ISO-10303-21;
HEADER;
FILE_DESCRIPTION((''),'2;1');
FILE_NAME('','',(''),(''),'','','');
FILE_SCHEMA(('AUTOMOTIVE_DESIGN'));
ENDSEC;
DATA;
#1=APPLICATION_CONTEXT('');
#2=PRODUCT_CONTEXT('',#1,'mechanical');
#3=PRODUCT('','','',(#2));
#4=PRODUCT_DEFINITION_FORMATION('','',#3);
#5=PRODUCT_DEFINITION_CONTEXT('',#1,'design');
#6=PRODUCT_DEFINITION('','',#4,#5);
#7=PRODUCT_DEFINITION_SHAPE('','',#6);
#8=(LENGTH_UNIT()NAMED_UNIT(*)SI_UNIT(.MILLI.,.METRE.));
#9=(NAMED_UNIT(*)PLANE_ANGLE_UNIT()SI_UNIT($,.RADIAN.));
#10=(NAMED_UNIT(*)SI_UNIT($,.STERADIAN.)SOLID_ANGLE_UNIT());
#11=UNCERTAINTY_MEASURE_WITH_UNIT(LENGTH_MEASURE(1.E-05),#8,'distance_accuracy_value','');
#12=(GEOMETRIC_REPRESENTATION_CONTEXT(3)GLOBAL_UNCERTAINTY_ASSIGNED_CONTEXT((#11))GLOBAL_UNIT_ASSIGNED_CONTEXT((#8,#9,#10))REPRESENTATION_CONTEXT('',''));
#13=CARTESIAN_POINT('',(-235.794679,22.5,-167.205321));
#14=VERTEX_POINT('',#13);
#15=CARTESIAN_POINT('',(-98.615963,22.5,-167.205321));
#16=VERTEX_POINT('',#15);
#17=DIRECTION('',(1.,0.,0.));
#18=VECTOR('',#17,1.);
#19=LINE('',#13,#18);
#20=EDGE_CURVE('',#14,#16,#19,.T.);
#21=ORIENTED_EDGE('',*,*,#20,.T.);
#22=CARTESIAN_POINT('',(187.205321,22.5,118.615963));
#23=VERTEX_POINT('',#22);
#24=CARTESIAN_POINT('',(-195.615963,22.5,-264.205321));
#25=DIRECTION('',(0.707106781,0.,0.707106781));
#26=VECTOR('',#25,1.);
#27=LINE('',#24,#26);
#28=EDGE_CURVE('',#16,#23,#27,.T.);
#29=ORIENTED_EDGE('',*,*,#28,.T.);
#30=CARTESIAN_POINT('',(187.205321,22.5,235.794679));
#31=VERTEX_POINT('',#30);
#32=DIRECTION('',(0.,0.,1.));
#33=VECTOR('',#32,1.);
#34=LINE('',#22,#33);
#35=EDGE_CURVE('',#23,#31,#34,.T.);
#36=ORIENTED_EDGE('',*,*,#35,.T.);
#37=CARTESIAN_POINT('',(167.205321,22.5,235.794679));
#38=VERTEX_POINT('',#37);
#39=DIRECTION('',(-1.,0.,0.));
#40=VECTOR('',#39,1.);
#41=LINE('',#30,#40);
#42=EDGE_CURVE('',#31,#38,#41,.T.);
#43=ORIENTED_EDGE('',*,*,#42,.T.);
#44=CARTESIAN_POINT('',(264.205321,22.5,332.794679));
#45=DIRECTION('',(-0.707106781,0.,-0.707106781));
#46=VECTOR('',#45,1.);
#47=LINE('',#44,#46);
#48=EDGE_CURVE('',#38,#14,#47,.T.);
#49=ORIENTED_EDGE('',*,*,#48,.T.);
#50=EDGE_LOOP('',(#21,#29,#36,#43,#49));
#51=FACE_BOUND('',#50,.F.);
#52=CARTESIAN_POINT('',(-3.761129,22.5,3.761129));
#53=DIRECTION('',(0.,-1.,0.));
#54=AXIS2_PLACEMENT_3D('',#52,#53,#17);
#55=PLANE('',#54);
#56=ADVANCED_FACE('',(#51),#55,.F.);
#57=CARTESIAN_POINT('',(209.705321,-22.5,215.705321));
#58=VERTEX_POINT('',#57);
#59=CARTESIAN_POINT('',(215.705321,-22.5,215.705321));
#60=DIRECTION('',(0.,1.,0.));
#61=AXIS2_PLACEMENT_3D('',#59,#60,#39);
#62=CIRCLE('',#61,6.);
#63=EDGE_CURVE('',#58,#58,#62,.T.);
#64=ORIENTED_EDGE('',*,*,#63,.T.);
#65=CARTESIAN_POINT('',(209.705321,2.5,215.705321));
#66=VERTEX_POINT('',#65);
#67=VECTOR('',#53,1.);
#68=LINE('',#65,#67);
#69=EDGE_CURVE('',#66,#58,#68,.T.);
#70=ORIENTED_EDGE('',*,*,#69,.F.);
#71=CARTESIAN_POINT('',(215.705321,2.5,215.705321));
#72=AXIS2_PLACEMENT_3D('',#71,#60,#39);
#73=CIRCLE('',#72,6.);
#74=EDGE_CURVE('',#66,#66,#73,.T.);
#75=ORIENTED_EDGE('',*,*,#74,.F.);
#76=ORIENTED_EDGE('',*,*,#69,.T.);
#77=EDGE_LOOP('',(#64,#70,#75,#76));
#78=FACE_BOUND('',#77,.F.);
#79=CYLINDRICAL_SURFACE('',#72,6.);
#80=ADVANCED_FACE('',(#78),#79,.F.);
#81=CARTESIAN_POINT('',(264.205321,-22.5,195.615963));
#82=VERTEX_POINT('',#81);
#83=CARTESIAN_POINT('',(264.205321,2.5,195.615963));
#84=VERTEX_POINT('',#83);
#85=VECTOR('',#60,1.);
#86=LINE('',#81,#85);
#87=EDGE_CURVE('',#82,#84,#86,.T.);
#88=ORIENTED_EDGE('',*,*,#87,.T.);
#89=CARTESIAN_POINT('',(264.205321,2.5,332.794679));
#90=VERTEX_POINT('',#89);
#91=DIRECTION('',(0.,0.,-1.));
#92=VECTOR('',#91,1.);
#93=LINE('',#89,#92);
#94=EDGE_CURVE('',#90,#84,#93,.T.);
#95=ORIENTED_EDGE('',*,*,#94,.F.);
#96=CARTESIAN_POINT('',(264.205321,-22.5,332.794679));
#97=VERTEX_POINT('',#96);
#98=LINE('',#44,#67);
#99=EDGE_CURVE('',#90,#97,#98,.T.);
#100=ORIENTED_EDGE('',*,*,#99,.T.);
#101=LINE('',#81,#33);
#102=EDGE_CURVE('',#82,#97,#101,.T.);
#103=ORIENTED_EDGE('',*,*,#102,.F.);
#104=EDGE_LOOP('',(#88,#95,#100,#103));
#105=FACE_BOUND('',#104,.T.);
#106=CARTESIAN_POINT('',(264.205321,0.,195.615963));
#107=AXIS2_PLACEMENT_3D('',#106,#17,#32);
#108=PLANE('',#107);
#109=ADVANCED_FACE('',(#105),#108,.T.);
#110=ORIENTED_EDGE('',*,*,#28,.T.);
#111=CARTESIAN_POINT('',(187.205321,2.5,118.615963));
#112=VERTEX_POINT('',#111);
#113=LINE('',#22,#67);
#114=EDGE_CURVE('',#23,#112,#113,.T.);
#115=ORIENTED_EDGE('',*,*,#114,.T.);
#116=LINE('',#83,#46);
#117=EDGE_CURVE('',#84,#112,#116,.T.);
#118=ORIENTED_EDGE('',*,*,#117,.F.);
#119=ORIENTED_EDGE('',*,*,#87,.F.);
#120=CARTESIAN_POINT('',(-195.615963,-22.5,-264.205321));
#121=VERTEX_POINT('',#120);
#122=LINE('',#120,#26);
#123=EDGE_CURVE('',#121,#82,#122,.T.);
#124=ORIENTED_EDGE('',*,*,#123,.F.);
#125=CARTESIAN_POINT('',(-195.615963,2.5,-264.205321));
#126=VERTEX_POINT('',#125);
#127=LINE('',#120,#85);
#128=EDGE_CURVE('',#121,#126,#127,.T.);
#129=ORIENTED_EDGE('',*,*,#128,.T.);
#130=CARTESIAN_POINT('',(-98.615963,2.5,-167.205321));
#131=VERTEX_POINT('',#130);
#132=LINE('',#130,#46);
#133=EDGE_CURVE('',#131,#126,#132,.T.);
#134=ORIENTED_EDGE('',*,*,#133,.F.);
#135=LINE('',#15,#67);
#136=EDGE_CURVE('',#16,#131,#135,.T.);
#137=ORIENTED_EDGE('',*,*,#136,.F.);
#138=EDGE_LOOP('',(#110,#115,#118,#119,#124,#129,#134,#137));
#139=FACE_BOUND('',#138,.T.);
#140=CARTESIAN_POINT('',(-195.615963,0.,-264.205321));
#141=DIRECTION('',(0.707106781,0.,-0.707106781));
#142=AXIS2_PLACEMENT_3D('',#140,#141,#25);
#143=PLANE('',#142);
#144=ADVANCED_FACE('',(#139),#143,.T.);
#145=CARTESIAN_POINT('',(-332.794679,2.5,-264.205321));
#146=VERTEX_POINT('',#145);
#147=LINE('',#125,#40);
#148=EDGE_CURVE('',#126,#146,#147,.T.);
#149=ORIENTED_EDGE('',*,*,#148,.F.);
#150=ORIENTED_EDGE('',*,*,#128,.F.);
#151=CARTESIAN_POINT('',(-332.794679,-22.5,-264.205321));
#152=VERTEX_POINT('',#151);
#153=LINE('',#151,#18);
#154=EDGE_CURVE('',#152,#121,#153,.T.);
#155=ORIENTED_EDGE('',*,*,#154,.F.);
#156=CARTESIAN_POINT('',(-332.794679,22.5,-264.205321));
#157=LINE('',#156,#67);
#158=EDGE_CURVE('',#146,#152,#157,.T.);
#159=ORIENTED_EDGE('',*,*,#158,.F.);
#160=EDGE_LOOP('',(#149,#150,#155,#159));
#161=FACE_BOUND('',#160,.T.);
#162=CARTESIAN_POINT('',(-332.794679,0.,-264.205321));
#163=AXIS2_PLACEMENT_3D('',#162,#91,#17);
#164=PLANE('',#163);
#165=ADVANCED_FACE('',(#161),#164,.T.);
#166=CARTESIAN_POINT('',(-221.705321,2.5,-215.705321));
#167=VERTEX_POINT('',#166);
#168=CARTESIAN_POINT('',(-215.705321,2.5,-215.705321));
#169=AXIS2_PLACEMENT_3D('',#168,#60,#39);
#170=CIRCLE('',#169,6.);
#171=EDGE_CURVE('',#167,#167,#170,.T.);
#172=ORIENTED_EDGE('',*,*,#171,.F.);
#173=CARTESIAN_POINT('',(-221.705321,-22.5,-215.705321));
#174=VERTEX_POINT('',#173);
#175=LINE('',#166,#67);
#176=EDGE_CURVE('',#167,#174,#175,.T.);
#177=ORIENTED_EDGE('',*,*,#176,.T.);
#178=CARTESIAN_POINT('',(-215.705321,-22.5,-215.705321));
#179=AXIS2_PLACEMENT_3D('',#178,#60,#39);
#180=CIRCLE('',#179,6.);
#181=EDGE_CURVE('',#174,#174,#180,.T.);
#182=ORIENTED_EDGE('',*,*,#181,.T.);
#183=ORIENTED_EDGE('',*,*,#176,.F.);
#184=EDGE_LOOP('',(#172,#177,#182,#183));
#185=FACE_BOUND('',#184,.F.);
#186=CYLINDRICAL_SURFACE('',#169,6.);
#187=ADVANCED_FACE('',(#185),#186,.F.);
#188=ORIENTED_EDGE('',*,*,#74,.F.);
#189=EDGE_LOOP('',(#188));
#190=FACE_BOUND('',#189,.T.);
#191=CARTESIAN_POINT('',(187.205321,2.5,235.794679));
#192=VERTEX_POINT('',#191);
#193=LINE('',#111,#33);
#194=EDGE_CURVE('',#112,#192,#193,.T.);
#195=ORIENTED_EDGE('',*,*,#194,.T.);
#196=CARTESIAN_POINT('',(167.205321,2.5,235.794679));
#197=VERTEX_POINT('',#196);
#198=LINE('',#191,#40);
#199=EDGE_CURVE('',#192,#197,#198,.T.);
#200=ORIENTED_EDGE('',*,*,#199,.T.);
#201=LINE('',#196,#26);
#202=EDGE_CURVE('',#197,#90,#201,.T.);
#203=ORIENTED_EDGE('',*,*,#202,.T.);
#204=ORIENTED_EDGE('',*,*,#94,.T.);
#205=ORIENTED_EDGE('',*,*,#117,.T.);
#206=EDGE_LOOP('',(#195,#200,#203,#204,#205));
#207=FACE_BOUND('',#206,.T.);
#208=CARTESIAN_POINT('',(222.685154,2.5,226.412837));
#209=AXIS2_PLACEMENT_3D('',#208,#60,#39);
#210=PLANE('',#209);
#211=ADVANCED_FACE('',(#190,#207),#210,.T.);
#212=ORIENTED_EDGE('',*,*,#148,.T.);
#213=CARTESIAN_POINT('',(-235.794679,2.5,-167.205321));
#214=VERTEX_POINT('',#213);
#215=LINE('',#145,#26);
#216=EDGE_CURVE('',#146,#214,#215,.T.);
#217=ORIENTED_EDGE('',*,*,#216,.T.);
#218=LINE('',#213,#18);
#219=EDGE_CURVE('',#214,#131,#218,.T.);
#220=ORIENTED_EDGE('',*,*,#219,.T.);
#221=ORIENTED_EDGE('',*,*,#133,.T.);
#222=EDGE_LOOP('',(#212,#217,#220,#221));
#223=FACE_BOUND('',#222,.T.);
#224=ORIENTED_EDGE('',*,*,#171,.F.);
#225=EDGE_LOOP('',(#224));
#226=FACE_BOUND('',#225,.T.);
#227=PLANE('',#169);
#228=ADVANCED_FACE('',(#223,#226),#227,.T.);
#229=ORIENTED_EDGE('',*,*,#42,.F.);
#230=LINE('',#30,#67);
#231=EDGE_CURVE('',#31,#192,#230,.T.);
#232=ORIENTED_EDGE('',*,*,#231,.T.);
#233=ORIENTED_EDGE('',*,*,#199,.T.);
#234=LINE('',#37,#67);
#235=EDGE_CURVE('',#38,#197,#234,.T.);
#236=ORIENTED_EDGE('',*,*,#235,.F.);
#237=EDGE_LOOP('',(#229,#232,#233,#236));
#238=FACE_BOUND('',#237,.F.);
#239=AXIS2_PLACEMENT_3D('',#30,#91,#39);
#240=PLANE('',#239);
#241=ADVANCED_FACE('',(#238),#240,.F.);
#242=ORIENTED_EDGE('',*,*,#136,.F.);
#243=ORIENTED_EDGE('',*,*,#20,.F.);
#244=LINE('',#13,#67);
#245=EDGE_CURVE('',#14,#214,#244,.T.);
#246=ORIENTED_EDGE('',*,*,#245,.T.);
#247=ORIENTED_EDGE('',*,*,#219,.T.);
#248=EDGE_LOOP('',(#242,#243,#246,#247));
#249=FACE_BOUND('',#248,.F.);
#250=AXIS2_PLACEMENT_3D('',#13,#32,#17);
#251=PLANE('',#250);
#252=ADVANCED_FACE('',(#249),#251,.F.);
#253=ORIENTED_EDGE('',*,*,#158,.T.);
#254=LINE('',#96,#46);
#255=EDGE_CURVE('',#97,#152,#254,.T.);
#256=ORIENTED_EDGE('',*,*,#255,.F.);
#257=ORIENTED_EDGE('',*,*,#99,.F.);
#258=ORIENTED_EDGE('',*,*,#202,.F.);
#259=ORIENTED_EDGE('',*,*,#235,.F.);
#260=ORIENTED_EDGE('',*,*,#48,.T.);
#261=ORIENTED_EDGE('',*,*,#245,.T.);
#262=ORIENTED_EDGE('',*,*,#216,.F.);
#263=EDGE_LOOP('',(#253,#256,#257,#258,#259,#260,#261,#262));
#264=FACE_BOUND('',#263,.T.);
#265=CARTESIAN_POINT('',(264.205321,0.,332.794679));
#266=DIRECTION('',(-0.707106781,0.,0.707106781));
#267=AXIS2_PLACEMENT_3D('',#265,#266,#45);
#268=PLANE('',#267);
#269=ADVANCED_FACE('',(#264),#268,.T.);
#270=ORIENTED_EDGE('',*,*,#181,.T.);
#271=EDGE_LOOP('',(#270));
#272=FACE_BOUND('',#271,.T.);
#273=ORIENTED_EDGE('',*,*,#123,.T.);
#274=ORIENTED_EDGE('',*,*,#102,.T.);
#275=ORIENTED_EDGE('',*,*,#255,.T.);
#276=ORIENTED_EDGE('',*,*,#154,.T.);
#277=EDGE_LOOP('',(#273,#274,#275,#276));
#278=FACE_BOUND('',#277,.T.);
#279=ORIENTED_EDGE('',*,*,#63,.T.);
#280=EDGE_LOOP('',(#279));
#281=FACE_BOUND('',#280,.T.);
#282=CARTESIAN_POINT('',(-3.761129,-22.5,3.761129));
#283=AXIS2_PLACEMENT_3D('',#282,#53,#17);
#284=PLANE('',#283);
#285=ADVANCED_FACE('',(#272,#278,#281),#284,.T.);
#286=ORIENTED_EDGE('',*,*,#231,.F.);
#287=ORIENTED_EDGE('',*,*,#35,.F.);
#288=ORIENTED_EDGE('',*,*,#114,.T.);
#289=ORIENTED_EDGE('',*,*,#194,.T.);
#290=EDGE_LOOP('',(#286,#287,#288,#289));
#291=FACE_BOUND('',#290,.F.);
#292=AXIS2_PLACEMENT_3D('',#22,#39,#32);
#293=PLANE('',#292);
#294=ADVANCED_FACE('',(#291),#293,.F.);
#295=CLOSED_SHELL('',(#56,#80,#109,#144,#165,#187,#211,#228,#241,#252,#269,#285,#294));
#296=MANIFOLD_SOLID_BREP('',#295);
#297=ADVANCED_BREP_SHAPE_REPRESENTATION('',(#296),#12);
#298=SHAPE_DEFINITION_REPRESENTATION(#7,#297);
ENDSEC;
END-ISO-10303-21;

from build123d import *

# Parameters (mm, degrees)
F1_DEPTH = 22.5
F3_DEPTH = 20
F5_DEPTH = 20
F6_R     = 6
F7_DEPTH = 25
F8_R     = 6
F9_DEPTH = 25


with BuildPart() as f1:
    # F0 (on Front) → F1 (new body, symmetric)
    with BuildSketch(Plane.XZ):
        Polygon((264.205321, 195.615963), (264.205321, 332.794679), (-332.794679, -264.205321), (-195.615963, -264.205321), align=None)
    extrude(amount=F1_DEPTH, both=True)

    # F2 (on face) → F3 (cut)
    with BuildSketch(Plane(origin=(0, 22.5, 0), x_dir=(-1, 0, 0), z_dir=(0, 1, 0))):
        Polygon((-187.205321, 235.794679), (-167.205321, 235.794679), (-264.205321, 332.794679), (-264.205321, 195.615963), (-187.205321, 118.615963), align=None)
    extrude(amount=-F3_DEPTH, mode=Mode.SUBTRACT)

    # F4 (on face) → F5 (cut)
    with BuildSketch(Plane(origin=(0, 22.5, 0), x_dir=(-1, 0, 0), z_dir=(0, 1, 0))):
        Polygon((332.794679, -264.205321), (235.794679, -167.205321), (98.615963, -167.205321), (195.615963, -264.205321), align=None)
    extrude(amount=-F5_DEPTH, mode=Mode.SUBTRACT)

    # F6 (on face) → F7 (cut, through all)
    with BuildSketch(Plane(origin=(0, 2.5, 0), x_dir=(-1, 0, 0), z_dir=(0, 1, 0))):
        with Locations((-215.705321, 215.705321)):
            Circle(F6_R)
    extrude(amount=-F7_DEPTH, mode=Mode.SUBTRACT)

    # F8 (on face) → F9 (cut, through all)
    with BuildSketch(Plane(origin=(0, 2.5, 0), x_dir=(-1, 0, 0), z_dir=(0, 1, 0))):
        with Locations((215.705321, -215.705321)):
            Circle(F8_R)
    extrude(amount=-F9_DEPTH, mode=Mode.SUBTRACT)


solid = f1.part
